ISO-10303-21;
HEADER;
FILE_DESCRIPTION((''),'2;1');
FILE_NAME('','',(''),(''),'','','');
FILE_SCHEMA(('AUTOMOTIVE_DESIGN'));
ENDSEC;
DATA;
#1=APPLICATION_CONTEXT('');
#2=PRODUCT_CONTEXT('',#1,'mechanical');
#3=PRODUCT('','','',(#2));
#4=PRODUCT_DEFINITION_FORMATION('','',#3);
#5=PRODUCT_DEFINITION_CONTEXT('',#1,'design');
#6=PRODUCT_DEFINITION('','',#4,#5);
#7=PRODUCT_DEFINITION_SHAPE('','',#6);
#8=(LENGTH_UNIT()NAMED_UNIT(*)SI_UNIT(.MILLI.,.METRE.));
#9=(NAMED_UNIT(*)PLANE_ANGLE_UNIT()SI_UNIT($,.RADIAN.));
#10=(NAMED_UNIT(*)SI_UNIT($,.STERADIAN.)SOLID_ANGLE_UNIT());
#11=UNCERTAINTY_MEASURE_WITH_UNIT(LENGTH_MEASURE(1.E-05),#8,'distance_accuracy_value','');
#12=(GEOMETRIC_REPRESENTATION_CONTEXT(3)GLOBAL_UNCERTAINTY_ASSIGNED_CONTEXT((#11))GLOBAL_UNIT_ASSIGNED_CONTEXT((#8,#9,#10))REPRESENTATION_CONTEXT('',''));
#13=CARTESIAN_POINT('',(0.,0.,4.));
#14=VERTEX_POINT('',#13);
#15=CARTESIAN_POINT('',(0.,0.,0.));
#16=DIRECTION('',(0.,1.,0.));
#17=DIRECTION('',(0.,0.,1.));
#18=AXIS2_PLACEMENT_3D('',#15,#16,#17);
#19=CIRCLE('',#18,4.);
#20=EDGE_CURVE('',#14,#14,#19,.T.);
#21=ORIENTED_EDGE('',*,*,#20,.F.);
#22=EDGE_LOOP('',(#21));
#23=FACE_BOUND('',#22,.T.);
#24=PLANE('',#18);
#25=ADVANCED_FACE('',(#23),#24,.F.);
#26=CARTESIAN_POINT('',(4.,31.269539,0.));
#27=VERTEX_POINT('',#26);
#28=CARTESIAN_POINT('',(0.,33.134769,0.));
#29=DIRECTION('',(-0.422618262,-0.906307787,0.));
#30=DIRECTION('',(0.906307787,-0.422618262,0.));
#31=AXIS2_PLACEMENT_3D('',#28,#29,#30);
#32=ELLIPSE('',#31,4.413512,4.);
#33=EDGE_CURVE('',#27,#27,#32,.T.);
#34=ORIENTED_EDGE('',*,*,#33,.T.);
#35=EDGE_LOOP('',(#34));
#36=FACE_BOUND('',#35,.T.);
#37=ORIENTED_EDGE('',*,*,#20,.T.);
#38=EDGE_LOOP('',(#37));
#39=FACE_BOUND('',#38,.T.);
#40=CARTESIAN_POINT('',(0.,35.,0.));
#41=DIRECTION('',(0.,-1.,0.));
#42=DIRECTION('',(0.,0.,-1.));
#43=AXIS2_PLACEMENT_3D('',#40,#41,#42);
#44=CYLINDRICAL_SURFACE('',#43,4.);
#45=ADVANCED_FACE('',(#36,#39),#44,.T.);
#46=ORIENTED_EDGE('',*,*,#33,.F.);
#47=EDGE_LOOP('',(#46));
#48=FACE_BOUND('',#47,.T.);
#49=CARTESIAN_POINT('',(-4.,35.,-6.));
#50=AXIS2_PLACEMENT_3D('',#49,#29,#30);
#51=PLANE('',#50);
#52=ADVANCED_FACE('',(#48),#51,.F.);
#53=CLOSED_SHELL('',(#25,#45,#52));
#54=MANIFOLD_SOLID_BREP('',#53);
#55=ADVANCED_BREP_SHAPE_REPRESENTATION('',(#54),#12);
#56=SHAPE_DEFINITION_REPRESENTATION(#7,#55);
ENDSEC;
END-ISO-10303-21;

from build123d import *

# Parameters (mm, degrees)
CROQUIS1_R              = 4
SALIENTE_EXTRUIR1_DEPTH = 35
CORTAR_EXTRUIR1_DEPTH   = 10


with BuildPart() as part:
    # Croquis1 → Saliente-Extruir1 (new body)
    with BuildSketch(Plane(origin=(0, 0, 0), x_dir=(1, 0, 0), z_dir=(0, 1, 0))):
        with Locations(Location((0, 0, 0), (0, 0, 270))):
            Circle(CROQUIS1_R)
    extrude(amount=SALIENTE_EXTRUIR1_DEPTH)

    # Croquis2 → Cortar-Extruir1 (cut)
    with BuildSketch(Plane.XY.offset(4)):
        Polygon((-4, 35), (4, 31.269538735), (4, 35), align=None)
    extrude(amount=-CORTAR_EXTRUIR1_DEPTH, mode=Mode.SUBTRACT)


solid = part.part
